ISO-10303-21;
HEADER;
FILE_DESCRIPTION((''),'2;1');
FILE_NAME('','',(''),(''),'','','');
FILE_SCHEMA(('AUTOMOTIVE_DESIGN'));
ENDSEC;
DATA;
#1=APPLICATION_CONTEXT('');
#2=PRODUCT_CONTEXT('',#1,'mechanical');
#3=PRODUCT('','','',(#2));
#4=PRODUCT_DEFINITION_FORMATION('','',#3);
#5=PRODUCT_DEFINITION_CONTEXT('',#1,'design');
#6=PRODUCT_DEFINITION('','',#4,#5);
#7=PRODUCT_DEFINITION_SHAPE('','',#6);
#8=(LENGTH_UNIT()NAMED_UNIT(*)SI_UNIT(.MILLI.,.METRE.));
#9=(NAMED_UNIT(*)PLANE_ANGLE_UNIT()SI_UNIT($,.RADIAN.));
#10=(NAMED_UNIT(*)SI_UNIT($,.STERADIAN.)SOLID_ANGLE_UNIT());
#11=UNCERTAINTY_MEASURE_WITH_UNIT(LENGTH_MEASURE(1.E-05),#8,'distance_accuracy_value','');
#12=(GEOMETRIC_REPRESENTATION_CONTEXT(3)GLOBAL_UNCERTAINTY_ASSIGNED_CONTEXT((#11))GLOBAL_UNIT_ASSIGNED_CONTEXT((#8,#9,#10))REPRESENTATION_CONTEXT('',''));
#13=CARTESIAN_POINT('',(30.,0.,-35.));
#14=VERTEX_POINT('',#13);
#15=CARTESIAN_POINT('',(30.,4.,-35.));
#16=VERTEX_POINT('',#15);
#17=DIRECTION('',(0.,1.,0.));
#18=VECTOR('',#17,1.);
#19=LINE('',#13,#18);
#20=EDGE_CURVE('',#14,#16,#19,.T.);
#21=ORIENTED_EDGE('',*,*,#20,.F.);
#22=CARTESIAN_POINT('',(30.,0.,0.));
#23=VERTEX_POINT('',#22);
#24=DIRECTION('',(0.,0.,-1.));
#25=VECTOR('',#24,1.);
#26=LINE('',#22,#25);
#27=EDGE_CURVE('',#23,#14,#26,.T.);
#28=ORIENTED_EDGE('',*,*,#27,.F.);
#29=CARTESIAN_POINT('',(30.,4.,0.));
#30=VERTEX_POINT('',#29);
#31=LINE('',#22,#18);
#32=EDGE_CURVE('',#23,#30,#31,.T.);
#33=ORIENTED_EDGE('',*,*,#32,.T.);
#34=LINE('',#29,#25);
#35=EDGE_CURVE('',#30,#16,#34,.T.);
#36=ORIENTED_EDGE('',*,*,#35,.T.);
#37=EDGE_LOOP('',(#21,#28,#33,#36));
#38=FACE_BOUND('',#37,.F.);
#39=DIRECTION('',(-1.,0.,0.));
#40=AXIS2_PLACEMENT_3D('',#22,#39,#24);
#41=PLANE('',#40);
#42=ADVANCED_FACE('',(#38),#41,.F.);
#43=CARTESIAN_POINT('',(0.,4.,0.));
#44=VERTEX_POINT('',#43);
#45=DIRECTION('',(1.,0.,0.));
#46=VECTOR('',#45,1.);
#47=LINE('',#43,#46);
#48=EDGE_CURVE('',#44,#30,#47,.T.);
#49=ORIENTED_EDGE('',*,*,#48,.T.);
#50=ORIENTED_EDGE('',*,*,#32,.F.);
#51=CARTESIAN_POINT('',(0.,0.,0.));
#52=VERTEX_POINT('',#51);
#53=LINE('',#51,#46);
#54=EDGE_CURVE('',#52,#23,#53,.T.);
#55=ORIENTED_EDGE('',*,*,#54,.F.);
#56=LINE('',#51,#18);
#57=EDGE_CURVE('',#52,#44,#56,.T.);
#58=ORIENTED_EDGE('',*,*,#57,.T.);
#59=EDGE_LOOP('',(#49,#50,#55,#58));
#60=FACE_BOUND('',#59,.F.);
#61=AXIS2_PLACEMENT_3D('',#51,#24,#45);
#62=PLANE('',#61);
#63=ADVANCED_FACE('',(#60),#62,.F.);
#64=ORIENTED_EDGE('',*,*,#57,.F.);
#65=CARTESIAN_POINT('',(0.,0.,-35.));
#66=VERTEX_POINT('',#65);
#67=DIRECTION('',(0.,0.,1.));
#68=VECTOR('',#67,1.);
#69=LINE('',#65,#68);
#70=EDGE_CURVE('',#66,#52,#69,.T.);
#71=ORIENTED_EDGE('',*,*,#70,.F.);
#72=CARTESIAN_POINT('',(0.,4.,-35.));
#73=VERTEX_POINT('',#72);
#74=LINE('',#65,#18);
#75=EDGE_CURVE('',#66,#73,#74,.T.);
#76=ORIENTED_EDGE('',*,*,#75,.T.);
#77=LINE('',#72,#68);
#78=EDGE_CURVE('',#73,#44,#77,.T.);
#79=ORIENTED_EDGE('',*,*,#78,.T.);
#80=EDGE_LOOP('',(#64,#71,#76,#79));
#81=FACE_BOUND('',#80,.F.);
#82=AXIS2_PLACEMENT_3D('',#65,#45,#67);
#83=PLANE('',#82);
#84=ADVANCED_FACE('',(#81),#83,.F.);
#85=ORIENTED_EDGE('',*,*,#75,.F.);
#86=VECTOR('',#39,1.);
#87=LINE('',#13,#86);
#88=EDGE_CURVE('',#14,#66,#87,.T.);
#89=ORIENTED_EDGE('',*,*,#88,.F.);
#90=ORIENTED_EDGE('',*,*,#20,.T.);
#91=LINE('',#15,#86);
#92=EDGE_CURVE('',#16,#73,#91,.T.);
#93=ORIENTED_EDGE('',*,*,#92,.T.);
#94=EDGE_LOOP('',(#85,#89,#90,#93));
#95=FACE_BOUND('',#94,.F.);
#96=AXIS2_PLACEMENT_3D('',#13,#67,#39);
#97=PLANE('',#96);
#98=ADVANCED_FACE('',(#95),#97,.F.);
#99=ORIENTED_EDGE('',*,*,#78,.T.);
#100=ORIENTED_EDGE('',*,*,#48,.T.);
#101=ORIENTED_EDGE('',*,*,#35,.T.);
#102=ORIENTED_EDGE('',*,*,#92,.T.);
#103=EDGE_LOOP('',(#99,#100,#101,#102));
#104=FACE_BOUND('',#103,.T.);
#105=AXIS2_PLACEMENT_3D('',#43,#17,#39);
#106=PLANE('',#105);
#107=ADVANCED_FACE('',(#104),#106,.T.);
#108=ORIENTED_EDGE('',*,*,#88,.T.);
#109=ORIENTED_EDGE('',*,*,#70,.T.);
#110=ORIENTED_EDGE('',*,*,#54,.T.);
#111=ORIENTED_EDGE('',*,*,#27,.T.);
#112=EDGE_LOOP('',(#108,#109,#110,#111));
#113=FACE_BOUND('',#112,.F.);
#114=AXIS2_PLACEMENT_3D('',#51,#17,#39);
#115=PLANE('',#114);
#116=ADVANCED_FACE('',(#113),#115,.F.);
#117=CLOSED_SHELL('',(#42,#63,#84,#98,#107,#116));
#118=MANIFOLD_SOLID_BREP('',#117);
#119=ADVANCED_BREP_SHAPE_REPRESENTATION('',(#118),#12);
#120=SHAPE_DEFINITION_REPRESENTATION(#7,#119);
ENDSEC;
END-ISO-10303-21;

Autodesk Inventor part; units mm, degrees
ref_plane "YZ Plane" through (0, 0, 0) normal (1, 0, 0) x (0, 1, 0)
ref_plane "XZ Plane" through (0, 0, 0) normal (0, 1, 0) x (-1, 0, 0)
ref_plane "XY Plane" through (0, 0, 0) normal (0, 0, 1) x (1, 0, 0)
sketch "Szkic1" plane through (0, 0, 0) normal (0, 1, 0) x (-1, 0, 0)
  line L0 (0, 0) -> (-30, 0)
  line L1 (-30, 0) -> (-30, -35)
  line L2 (-30, -35) -> (0, -35)
  line L3 (0, -35) -> (0, 0)
  dimension "d0" = 30
  dimension "d1" = 35
extrude "Wyciągnięcie proste1" add sketch "Szkic1" along normal blind 4
properties part number "35x30x4"
